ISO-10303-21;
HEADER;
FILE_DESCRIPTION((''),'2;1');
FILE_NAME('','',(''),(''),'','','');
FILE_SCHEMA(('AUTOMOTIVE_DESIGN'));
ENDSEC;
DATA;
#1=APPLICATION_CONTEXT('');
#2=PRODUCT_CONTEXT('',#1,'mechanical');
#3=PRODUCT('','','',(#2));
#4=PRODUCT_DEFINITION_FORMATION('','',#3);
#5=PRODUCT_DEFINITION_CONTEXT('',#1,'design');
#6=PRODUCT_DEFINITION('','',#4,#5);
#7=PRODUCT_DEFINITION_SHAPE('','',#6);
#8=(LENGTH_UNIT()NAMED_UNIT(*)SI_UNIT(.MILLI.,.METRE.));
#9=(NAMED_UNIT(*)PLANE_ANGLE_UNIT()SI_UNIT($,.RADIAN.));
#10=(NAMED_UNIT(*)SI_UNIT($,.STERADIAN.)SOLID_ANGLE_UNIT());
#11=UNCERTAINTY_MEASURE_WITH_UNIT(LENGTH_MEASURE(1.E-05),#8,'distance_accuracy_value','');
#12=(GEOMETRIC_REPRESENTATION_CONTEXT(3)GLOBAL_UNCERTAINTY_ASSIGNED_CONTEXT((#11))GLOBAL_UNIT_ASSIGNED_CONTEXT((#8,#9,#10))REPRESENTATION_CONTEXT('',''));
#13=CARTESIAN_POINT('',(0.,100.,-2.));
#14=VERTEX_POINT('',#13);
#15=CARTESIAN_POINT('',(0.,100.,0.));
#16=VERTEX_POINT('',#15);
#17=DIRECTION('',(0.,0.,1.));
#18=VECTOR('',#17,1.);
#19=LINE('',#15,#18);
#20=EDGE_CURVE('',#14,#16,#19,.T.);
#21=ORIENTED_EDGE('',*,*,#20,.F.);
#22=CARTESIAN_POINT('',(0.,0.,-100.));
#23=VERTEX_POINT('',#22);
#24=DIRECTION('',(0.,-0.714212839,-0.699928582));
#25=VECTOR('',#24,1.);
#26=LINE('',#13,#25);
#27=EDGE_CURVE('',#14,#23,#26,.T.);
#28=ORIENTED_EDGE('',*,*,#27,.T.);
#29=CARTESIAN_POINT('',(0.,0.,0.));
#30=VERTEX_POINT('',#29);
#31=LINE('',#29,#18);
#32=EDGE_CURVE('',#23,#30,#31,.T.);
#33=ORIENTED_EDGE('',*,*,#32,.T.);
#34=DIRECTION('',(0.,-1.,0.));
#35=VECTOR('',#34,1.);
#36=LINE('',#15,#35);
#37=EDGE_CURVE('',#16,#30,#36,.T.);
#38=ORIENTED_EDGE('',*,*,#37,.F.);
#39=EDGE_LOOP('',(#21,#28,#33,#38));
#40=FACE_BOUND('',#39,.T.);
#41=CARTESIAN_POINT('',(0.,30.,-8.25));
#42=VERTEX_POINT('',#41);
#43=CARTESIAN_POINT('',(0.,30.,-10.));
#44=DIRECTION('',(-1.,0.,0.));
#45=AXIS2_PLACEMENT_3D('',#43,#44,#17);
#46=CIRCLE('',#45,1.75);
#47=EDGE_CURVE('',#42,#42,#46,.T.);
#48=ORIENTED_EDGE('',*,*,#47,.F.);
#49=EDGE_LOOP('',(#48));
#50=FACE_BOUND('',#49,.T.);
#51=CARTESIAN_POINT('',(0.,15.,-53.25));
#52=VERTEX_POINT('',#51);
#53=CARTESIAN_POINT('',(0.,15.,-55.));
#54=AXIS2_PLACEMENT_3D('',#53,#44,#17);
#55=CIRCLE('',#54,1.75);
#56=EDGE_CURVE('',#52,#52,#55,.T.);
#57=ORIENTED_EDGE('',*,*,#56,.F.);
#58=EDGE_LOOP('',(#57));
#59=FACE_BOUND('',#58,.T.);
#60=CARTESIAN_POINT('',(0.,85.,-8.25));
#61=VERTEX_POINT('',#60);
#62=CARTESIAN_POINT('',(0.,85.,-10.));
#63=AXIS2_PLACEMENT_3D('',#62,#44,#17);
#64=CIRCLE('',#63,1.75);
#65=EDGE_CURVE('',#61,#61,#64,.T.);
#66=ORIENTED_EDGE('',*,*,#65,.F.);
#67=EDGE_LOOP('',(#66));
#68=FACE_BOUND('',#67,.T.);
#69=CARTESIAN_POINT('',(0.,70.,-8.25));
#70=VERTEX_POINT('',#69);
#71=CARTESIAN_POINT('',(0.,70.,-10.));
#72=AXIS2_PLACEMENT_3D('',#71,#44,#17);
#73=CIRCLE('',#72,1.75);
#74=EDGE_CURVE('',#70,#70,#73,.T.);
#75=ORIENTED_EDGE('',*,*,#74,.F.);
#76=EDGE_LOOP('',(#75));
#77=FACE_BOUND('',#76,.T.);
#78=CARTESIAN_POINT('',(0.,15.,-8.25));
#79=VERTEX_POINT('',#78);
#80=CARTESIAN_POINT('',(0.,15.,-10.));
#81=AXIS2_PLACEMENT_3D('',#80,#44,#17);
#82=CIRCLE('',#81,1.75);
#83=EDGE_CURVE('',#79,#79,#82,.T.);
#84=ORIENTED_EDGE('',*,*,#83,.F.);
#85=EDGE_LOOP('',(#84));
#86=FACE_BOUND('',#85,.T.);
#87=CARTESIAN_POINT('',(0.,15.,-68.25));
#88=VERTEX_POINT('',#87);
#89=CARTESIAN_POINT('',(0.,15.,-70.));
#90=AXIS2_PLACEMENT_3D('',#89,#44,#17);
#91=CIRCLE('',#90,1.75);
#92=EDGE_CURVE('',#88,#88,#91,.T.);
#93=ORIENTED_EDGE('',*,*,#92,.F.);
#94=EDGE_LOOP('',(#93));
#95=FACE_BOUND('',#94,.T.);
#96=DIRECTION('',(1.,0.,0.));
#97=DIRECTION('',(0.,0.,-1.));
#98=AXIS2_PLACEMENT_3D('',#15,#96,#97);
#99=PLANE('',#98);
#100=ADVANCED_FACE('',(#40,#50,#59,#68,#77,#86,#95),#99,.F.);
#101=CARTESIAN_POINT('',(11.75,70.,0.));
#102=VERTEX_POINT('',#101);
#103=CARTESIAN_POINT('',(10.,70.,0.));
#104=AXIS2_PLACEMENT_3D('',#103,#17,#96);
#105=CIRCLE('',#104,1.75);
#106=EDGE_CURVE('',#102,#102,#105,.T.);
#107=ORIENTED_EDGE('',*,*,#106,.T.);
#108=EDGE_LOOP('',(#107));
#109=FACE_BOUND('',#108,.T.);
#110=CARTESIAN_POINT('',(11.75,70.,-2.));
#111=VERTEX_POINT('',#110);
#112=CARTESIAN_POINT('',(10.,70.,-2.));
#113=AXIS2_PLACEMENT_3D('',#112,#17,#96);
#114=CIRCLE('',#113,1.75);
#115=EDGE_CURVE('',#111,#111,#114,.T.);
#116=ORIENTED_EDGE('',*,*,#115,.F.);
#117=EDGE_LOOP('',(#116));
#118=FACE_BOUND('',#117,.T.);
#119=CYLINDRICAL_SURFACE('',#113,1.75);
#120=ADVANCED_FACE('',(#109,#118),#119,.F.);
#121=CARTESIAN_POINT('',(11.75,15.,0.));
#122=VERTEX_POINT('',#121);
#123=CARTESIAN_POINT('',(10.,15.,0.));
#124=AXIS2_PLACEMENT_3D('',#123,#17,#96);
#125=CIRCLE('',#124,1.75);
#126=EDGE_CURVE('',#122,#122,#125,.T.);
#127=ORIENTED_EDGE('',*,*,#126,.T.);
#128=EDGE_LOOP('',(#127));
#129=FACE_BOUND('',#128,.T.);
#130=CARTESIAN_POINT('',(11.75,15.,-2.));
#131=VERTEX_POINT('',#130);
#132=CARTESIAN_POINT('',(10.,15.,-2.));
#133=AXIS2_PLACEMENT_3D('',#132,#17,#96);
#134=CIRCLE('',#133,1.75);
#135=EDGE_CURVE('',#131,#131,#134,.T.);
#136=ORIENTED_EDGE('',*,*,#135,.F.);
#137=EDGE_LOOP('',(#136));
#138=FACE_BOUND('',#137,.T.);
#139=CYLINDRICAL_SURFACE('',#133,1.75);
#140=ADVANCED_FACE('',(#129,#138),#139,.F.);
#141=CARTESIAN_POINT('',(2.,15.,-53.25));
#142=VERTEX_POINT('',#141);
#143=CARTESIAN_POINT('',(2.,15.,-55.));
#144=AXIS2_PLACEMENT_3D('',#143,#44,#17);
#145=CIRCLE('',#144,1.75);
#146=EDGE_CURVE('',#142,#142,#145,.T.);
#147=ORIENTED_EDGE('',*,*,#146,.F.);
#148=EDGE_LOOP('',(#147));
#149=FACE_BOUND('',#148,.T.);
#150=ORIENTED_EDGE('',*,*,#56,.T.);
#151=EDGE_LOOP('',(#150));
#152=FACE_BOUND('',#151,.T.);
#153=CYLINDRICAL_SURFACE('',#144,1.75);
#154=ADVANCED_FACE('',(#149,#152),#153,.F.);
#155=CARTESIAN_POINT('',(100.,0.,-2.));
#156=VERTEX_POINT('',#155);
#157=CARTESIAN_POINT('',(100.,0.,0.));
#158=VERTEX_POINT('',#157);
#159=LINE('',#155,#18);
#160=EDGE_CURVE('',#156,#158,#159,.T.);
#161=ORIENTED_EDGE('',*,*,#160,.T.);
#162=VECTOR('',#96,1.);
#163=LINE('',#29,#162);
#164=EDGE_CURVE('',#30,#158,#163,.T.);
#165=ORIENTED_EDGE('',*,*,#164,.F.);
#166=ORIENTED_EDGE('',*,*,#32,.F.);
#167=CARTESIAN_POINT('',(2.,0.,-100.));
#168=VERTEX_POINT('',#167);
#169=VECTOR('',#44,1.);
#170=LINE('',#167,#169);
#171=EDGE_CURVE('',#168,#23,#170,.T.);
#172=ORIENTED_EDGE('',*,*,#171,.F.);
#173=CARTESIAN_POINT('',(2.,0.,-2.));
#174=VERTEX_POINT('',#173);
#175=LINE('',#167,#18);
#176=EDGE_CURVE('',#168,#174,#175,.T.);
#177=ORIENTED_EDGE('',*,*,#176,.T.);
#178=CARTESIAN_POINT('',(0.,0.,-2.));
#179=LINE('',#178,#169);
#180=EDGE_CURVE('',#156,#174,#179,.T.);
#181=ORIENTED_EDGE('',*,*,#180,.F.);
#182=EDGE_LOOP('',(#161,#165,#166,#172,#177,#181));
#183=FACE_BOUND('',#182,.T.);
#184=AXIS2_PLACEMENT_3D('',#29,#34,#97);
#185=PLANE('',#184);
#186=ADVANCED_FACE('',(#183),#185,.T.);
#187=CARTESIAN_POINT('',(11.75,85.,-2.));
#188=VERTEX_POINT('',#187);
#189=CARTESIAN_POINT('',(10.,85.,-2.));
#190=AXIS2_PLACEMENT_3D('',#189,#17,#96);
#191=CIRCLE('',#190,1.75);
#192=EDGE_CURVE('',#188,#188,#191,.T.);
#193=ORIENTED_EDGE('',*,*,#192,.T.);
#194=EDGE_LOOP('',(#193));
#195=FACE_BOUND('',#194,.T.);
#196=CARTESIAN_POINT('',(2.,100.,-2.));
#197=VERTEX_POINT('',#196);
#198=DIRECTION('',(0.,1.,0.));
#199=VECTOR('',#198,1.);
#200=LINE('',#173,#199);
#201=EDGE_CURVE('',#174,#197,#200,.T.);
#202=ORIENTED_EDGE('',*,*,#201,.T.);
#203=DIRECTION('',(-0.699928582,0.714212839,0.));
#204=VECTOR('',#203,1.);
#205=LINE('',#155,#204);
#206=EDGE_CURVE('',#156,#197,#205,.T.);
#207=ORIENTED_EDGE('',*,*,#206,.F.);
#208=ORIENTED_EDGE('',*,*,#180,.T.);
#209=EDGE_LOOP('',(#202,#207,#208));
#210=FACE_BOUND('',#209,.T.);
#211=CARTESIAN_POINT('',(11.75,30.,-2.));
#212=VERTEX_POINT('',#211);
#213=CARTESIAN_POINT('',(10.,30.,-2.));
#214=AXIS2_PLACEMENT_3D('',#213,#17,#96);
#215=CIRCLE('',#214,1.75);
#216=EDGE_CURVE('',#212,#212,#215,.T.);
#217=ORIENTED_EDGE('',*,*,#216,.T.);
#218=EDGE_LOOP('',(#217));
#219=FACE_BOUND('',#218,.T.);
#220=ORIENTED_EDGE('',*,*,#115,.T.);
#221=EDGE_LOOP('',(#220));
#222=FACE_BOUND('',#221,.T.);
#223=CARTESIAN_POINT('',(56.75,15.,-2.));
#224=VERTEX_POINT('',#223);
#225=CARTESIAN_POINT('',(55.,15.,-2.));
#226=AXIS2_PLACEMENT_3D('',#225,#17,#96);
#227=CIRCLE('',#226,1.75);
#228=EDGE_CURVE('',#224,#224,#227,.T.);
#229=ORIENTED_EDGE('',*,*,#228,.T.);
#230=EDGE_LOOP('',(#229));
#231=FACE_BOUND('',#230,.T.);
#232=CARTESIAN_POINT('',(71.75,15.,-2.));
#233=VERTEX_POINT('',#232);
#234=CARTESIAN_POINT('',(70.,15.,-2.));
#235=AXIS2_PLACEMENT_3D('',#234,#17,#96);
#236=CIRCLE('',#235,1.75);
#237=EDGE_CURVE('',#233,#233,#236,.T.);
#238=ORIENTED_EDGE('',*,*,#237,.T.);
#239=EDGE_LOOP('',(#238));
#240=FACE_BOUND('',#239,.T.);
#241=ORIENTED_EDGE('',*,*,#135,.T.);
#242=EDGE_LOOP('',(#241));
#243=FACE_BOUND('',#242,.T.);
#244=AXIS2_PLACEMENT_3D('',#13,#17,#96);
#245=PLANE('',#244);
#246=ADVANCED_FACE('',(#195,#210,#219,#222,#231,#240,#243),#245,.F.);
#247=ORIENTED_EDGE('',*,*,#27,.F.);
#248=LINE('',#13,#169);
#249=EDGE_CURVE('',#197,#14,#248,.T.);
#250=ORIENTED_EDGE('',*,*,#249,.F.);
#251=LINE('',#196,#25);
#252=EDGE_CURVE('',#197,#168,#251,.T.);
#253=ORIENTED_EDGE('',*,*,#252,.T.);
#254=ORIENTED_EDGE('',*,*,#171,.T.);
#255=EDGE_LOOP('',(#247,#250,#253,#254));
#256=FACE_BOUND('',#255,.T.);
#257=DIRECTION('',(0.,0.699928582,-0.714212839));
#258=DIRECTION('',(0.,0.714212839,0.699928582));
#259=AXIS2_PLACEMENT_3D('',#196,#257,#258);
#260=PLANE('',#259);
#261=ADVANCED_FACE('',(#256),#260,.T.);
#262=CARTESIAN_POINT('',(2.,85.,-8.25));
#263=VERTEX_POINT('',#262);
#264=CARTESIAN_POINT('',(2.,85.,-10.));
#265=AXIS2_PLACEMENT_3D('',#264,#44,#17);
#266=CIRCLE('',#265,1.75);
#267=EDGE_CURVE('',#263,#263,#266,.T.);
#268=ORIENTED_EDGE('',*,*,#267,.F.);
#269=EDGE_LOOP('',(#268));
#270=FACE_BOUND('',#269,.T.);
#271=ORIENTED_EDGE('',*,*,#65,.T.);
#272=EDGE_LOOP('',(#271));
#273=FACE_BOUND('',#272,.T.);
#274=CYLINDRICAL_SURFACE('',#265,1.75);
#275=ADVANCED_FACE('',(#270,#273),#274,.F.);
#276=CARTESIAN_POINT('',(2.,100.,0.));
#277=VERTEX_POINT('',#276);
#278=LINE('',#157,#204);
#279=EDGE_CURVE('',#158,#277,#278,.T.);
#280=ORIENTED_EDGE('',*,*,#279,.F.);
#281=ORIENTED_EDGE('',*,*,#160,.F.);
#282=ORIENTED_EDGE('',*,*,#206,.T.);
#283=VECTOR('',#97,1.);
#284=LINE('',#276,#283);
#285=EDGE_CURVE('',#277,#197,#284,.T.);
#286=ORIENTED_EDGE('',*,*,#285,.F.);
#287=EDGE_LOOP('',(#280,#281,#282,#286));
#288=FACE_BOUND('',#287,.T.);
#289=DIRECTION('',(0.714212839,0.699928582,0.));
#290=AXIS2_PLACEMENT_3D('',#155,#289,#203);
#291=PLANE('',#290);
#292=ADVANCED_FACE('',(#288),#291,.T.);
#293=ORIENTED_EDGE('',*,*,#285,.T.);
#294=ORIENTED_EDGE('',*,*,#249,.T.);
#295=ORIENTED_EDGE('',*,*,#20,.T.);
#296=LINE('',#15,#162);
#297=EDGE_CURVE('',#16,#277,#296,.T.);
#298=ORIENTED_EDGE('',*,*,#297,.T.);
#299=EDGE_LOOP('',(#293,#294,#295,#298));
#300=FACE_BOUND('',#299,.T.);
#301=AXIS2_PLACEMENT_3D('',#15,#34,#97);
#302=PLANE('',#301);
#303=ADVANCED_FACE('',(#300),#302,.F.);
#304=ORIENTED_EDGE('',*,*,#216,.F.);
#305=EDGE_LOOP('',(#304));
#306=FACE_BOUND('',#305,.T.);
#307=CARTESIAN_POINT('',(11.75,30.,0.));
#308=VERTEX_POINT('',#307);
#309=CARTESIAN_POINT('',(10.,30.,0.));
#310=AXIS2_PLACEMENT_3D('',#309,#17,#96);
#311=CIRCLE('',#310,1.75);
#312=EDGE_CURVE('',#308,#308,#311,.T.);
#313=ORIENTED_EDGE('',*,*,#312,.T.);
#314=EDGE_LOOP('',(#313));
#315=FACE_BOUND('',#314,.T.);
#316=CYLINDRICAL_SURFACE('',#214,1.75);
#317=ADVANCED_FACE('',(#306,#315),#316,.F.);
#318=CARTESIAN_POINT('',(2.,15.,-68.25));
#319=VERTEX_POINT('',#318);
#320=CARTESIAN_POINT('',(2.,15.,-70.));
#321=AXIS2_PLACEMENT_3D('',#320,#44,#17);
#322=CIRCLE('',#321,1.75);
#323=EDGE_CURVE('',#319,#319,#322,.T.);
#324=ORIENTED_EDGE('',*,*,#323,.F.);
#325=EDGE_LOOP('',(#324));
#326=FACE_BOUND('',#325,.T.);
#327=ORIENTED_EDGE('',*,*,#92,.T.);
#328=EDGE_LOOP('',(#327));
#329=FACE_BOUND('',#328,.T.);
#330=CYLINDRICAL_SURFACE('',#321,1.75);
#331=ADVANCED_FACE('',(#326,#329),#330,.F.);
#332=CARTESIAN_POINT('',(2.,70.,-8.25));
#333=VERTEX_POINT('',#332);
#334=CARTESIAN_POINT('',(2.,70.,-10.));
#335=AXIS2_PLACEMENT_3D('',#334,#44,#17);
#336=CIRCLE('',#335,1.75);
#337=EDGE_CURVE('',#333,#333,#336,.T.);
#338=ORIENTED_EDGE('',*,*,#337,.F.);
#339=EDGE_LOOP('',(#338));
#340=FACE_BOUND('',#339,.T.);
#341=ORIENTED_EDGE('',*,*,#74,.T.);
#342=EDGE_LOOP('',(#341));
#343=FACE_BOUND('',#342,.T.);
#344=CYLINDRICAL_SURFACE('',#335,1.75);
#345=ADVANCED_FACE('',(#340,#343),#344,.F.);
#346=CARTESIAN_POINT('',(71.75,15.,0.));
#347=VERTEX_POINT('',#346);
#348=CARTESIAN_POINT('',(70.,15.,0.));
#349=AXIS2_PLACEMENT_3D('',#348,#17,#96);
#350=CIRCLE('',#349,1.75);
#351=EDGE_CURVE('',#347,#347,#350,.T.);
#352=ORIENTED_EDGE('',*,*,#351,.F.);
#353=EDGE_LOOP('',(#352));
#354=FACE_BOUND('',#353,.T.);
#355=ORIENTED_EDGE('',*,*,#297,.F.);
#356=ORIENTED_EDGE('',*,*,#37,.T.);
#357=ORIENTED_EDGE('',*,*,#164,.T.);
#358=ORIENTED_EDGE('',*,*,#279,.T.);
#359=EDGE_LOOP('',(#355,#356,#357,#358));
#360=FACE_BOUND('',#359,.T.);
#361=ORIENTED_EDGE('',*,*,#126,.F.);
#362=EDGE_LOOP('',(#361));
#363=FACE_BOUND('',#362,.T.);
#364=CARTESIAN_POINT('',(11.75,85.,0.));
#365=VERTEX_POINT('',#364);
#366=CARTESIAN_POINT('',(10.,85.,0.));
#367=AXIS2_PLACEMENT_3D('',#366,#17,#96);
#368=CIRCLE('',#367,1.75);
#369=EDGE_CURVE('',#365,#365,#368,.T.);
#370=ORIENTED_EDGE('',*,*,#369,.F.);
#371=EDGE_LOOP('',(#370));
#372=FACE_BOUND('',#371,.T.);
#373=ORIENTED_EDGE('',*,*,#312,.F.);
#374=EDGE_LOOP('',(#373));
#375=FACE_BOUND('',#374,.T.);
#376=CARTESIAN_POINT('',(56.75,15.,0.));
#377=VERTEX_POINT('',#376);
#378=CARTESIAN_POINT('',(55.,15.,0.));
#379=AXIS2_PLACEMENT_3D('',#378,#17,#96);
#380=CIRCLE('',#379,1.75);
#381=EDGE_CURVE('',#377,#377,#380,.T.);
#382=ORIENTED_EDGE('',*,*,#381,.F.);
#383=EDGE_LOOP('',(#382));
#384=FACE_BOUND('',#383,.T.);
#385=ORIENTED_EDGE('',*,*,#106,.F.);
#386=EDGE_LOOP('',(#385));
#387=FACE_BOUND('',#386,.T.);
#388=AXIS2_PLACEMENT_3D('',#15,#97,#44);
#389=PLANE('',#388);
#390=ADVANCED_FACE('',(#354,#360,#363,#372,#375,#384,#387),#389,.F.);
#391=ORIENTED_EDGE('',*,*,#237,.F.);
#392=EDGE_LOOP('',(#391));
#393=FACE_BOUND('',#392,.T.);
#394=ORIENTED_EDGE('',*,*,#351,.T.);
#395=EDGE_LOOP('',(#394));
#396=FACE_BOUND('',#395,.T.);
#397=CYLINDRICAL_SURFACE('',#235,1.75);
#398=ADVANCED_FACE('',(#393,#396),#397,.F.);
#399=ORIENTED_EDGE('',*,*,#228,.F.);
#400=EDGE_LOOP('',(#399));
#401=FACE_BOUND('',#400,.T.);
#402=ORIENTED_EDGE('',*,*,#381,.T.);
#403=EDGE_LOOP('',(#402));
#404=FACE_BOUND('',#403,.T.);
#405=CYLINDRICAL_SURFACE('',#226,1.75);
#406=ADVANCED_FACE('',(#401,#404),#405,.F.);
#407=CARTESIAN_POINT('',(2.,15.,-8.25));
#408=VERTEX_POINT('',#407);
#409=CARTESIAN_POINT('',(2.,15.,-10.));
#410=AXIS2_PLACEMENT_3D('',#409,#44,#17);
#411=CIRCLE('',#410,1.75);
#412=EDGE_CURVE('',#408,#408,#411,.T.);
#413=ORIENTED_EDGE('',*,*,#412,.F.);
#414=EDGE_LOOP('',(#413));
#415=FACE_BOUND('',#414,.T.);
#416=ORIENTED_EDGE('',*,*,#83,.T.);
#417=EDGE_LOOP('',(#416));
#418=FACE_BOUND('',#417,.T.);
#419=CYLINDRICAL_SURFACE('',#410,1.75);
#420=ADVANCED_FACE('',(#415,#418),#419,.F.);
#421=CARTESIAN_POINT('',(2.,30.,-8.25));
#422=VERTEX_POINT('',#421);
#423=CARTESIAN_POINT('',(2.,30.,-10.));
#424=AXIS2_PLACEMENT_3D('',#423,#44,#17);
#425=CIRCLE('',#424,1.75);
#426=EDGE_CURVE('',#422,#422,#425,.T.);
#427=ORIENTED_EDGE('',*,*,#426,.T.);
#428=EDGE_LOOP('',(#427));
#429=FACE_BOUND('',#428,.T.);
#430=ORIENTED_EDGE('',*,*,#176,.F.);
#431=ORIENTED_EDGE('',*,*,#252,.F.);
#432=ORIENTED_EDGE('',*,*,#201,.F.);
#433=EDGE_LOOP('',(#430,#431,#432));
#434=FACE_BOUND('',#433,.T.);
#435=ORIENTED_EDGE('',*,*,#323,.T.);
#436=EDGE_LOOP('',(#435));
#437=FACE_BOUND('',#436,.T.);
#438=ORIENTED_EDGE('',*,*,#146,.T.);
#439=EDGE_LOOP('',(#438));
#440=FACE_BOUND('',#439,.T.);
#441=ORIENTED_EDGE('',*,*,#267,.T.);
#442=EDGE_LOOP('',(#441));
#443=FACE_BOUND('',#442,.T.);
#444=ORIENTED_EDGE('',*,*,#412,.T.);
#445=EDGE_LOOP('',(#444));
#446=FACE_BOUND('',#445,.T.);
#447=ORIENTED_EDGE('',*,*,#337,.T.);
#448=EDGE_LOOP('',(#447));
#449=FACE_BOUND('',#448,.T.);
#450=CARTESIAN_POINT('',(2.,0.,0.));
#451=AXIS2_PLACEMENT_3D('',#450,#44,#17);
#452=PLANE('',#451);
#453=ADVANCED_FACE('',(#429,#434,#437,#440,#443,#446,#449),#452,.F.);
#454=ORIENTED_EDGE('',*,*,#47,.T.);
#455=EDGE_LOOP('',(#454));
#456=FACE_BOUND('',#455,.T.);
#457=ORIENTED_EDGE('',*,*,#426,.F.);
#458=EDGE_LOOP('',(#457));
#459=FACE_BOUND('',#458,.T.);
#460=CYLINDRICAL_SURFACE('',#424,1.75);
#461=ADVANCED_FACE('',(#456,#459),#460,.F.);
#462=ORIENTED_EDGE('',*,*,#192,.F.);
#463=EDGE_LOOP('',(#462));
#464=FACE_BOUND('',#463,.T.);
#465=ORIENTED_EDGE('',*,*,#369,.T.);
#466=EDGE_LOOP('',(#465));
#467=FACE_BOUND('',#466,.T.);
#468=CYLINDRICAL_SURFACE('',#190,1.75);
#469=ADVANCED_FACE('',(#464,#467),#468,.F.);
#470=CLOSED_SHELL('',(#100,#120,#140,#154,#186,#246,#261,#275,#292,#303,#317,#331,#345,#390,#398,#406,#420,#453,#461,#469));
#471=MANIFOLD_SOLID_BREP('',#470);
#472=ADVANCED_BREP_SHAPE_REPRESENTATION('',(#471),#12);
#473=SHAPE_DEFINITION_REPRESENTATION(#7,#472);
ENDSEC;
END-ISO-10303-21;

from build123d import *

# Parameters (mm, degrees)
ESBO_O1_W                = 2
ESBO_O1_H                = 2
RESSALTO_EXTRUS_O1_DEPTH = 100
RESSALTO_EXTRUS_O2_DEPTH = 2
RESSALTO_EXTRUS_O3_DEPTH = 2
ESBO_O4_R                = 1.75
CORTE_EXTRUS_O1_DEPTH    = 2
ESBO_O5_R                = 1.75
CORTE_EXTRUS_O2_DEPTH    = 2


with BuildPart() as part:
    # Esboço1 → Ressalto-extrusão1 (new body)
    with BuildSketch(Plane(origin=(0, 0, 0), x_dir=(1, 0, 0), z_dir=(0, 1, 0))):
        with Locations((1, 1)):
            Rectangle(ESBO_O1_W, ESBO_O1_H)
    extrude(amount=RESSALTO_EXTRUS_O1_DEPTH)

    # Esboço2 → Ressalto-extrusão2 (add)
    with BuildSketch(Plane.XY):
        Polygon((2, 0), (100, 0), (2, 100), align=None)
    extrude(amount=-RESSALTO_EXTRUS_O2_DEPTH)

    # Esboço3 → Ressalto-extrusão3 (add)
    with BuildSketch(Plane.ZY):
        Polygon((-2, 0), (-2, 100), (-100, 0), align=None)
    extrude(amount=-RESSALTO_EXTRUS_O3_DEPTH)

    # Esboço4 → Corte-extrusão1 (cut)
    with BuildSketch(Plane.ZY):
        with Locations((-10, 15)):
            Circle(ESBO_O4_R)
        with Locations((-10, 30)):
            Circle(ESBO_O4_R)
        with Locations((-10, 85)):
            Circle(ESBO_O4_R)
        with Locations((-10, 70)):
            Circle(ESBO_O4_R)
        with Locations((-55, 15)):
            Circle(ESBO_O4_R)
        with Locations((-70, 15)):
            Circle(ESBO_O4_R)
    extrude(amount=-CORTE_EXTRUS_O1_DEPTH, mode=Mode.SUBTRACT)

    # Esboço5 → Corte-extrusão2 (cut)
    with BuildSketch(Plane.XY):
        with Locations((10, 15)):
            Circle(ESBO_O5_R)
        with Locations((10, 30)):
            Circle(ESBO_O5_R)
        with Locations((10, 85)):
            Circle(ESBO_O5_R)
        with Locations((10, 70)):
            Circle(ESBO_O5_R)
        with Locations((70, 15)):
            Circle(ESBO_O5_R)
        with Locations((55, 15)):
            Circle(ESBO_O5_R)
    extrude(amount=-CORTE_EXTRUS_O2_DEPTH, mode=Mode.SUBTRACT)


solid = part.part
